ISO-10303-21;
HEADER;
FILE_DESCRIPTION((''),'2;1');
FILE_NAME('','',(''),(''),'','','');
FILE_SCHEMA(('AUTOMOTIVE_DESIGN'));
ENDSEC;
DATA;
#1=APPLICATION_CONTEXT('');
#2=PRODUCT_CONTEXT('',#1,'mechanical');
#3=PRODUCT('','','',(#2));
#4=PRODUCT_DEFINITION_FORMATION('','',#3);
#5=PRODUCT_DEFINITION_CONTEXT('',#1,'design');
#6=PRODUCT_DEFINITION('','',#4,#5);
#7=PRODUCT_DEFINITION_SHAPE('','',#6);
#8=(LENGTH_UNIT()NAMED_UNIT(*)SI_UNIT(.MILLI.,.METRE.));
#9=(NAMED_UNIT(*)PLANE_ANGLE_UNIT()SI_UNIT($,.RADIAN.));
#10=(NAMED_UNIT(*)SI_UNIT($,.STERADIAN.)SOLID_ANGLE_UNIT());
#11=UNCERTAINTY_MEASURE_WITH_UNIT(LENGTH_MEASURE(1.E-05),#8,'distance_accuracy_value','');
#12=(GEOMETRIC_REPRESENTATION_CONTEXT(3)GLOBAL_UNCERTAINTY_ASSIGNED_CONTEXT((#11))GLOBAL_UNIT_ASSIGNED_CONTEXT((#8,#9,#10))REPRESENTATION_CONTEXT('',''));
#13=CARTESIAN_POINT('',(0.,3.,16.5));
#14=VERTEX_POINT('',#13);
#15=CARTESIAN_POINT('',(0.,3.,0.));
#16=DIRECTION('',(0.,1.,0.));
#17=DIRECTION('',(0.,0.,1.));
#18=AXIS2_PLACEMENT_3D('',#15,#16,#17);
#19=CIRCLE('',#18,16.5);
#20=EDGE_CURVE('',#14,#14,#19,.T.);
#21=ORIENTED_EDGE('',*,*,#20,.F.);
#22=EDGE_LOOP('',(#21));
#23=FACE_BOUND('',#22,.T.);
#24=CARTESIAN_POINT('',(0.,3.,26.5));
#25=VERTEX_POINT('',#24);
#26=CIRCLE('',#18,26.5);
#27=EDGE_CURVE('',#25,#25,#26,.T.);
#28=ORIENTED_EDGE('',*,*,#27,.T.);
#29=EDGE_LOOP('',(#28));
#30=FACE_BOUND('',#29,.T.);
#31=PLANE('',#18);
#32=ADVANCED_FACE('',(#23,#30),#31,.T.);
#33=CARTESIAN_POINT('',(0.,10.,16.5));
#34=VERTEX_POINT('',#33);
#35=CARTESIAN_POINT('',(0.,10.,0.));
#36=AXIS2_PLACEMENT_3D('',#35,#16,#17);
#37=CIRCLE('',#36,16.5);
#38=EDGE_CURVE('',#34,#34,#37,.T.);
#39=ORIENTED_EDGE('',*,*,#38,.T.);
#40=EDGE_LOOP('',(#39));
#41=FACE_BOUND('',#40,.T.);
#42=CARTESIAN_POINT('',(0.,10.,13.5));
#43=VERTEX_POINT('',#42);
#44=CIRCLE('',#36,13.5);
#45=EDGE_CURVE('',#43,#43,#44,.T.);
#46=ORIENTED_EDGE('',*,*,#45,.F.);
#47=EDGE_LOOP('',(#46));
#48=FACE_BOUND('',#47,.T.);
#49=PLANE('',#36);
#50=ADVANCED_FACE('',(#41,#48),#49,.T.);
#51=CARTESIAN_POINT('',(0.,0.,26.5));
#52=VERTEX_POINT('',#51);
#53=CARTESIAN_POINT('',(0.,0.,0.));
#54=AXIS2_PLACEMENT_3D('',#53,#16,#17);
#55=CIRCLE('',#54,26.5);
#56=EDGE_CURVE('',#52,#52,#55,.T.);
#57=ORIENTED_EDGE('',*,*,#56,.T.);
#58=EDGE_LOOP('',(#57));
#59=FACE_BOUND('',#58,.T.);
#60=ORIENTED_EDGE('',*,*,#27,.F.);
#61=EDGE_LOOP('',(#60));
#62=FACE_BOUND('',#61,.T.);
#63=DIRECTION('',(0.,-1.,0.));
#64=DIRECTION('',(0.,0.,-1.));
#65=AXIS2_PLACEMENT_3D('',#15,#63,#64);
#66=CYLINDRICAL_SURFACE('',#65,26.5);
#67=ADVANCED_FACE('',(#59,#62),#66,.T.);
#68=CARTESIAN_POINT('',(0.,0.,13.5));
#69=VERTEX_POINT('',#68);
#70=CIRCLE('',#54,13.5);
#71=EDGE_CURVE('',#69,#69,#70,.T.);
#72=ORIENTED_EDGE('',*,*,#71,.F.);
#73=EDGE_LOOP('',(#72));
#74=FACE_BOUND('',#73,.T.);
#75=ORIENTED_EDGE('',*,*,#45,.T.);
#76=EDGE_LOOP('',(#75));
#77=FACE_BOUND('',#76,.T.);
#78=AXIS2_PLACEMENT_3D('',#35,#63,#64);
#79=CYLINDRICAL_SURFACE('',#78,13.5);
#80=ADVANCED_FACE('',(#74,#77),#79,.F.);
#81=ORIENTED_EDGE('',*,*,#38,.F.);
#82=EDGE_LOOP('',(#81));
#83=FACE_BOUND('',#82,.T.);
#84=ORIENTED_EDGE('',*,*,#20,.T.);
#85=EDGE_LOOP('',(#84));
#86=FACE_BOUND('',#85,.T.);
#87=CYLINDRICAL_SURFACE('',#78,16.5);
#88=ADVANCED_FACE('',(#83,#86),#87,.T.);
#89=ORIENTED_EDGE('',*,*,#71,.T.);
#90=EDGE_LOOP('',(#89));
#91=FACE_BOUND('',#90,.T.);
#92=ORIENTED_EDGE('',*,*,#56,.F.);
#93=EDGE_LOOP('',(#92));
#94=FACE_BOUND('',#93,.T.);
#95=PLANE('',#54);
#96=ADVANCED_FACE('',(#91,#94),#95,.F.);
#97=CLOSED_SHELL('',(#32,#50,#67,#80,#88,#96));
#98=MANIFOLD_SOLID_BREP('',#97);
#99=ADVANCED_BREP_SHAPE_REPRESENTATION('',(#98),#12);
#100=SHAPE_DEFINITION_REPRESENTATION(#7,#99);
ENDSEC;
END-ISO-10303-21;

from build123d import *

# Parameters (mm, degrees)
SKETCH1_R           = 16.5
SKETCH1_R_2         = 13.5
BOSS_EXTRUDE1_DEPTH = 10
SKETCH1_3_R         = 26.5
SKETCH1_3_R_2       = 16.5
BOSS_EXTRUDE2_DEPTH = 3


with BuildPart() as part:
    # Sketch1 → Boss-Extrude1 (new body)
    with BuildSketch(Plane(origin=(0, 0, 0), x_dir=(1, 0, 0), z_dir=(0, 1, 0))):
        Circle(SKETCH1_R)
        Circle(SKETCH1_R_2, mode=Mode.SUBTRACT)
    extrude(amount=BOSS_EXTRUDE1_DEPTH)

    # Sketch1<3> → Boss-Extrude2 (add)
    with BuildSketch(Plane(origin=(0, 0, 0), x_dir=(1, 0, 0), z_dir=(0, 1, 0))):
        Circle(SKETCH1_3_R)
        Circle(SKETCH1_3_R_2, mode=Mode.SUBTRACT)
    extrude(amount=BOSS_EXTRUDE2_DEPTH)


solid = part.part
